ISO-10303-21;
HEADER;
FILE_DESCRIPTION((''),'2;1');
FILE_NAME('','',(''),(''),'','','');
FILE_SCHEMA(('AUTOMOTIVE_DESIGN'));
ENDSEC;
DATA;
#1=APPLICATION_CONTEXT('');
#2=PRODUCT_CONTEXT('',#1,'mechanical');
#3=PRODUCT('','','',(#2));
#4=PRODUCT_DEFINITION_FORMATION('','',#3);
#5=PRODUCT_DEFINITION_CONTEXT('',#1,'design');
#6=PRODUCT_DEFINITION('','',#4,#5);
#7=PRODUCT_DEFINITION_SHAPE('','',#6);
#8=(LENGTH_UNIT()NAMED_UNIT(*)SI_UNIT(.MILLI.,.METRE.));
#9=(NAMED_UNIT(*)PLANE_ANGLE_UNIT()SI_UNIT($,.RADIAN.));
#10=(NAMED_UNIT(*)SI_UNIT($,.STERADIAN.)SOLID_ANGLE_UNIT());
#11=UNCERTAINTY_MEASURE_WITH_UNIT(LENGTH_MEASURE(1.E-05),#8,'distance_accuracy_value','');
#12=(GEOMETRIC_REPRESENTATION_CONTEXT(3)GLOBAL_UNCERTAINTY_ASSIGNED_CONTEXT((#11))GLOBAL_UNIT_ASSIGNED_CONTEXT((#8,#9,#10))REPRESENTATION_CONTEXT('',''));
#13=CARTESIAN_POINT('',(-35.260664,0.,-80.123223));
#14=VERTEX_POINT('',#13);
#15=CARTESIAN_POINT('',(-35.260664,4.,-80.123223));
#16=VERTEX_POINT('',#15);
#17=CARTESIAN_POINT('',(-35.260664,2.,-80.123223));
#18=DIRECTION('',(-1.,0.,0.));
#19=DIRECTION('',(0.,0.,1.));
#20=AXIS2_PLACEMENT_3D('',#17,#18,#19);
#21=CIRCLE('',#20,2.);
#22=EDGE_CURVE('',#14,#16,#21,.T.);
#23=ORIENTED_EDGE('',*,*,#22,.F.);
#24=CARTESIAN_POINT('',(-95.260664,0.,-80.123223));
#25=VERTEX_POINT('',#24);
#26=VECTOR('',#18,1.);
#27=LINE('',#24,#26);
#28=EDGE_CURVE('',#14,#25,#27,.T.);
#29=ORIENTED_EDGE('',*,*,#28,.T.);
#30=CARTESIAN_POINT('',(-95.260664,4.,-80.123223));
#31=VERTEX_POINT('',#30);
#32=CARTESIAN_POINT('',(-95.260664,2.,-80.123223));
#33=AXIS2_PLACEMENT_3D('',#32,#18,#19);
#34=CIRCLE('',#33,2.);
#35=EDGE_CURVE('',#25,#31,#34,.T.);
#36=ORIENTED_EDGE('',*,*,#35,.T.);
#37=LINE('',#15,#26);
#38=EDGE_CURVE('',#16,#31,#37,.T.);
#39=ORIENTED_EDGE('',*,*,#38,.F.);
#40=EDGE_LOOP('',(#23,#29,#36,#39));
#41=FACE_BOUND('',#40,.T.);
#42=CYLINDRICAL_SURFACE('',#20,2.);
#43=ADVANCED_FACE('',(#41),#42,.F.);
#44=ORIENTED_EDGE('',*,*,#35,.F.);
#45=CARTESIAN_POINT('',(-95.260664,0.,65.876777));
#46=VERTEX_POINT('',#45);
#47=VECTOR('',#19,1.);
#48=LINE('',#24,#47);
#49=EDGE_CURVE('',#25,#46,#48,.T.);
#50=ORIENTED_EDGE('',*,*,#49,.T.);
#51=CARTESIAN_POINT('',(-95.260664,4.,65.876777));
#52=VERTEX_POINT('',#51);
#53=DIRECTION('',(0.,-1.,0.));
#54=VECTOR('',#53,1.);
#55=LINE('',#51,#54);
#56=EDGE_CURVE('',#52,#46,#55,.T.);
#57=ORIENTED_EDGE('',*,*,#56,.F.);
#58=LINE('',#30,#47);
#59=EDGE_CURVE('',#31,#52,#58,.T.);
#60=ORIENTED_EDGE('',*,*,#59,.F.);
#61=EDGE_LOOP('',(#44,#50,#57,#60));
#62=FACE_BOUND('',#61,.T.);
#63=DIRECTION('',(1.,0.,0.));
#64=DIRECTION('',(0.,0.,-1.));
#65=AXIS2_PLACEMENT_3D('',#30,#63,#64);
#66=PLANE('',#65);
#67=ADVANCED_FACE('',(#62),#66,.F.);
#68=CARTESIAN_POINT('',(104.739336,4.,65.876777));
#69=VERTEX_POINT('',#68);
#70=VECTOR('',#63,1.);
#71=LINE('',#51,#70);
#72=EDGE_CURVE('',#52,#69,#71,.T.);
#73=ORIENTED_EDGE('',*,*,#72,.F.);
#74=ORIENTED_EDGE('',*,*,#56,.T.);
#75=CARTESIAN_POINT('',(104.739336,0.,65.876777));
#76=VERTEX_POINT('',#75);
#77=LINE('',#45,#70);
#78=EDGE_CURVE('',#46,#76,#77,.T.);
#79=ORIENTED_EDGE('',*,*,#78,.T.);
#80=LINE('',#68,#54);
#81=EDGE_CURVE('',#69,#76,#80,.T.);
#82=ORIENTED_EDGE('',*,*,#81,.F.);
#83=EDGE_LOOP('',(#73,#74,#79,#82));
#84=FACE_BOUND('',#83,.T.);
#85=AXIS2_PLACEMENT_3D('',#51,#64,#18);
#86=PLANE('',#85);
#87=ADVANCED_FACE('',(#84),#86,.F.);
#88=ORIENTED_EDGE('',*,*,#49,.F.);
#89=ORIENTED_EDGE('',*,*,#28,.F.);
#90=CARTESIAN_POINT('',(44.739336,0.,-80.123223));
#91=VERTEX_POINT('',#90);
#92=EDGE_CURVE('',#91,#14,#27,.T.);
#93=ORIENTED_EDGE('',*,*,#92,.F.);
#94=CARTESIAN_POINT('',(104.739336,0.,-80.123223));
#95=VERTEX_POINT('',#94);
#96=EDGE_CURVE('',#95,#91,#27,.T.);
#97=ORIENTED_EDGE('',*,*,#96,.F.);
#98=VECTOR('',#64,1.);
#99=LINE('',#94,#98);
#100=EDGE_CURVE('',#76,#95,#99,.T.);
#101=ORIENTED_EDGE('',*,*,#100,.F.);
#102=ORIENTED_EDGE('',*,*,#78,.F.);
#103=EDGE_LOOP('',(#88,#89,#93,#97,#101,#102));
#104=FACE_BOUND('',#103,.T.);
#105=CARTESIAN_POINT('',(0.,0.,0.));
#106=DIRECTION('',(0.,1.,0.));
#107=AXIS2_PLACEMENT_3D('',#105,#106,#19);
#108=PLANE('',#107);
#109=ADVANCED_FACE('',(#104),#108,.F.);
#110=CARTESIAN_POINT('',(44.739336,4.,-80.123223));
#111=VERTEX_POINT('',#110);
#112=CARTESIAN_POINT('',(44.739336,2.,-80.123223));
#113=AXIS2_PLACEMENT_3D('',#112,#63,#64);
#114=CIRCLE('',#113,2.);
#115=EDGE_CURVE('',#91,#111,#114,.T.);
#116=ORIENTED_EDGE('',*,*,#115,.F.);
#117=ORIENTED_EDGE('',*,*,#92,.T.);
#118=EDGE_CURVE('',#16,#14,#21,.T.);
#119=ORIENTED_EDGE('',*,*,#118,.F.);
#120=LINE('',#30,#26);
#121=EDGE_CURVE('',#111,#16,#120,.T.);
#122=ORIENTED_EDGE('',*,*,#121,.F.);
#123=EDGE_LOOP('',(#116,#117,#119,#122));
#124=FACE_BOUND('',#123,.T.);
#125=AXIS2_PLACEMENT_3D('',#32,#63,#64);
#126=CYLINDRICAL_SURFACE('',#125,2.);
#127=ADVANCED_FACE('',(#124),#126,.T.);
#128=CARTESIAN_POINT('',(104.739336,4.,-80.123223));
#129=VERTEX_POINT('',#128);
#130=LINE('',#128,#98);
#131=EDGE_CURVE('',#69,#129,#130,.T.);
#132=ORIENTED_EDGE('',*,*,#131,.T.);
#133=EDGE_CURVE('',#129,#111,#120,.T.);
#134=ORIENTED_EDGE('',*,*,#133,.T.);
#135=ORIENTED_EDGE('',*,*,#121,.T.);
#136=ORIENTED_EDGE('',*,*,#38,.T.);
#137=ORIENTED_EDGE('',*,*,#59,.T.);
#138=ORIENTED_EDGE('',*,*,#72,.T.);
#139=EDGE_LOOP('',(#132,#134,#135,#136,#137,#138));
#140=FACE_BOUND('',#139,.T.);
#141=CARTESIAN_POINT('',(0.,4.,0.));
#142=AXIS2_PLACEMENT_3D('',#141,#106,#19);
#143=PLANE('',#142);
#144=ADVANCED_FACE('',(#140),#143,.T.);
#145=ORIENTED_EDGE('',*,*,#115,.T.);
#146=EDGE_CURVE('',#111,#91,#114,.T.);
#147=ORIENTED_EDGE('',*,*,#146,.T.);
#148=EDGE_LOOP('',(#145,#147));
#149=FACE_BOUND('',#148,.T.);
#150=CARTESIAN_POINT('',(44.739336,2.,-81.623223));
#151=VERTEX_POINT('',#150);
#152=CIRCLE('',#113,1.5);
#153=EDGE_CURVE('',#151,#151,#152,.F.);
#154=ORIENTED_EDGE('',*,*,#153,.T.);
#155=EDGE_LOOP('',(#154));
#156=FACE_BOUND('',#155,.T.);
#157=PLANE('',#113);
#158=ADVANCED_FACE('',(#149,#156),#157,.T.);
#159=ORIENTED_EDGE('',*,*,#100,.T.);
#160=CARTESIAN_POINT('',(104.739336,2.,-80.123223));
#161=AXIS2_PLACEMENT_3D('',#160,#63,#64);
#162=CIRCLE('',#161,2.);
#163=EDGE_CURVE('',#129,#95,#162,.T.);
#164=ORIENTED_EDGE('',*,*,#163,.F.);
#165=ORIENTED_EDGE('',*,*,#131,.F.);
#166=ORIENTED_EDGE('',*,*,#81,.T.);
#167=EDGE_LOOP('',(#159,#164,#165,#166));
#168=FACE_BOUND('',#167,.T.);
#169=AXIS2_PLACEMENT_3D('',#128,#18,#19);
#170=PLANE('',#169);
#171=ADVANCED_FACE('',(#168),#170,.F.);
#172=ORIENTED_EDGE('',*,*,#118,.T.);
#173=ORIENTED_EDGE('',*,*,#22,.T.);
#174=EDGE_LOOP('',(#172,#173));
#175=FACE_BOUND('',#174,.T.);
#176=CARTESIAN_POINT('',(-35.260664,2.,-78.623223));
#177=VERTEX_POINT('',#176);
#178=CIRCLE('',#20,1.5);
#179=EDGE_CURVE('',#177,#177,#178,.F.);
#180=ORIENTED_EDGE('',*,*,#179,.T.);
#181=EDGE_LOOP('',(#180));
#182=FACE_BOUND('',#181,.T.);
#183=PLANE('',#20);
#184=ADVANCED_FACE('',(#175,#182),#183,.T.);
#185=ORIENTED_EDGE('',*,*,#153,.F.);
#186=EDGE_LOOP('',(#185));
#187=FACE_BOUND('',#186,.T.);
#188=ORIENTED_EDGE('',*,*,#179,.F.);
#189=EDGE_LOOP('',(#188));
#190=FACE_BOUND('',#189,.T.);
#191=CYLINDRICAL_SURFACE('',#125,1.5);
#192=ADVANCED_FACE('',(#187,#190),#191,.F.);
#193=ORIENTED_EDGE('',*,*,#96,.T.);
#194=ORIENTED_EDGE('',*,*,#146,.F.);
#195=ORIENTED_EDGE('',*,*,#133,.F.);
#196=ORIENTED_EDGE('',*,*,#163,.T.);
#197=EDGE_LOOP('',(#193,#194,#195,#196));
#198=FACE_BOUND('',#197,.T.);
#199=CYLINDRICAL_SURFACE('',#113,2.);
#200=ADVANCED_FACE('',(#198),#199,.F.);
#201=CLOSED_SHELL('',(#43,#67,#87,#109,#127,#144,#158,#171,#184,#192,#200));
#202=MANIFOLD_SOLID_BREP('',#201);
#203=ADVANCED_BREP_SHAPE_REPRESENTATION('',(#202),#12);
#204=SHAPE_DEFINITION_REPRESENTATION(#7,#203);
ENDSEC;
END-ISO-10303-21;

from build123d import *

# Parameters (mm, degrees)
SKETCH_1_W          = 200
SKETCH_1_H          = 146
EXTRUDE_1_DEPTH     = 4
SKETCH_3_R          = 2
CUT_EXTRUDE_1_DEPTH = 202
SKETCH_3_2_R        = 2
SKETCH_3_2_R_2      = 1.5
EXTRUDE_1_2_DEPTH   = 200
SKETCH_4_R          = 2
CUT_EXTRUDE_2_DEPTH = 60
CUT_EXTRUDE_START   = -60
SKETCH_5_R          = 2
CUT_EXTRUDE_3_DEPTH = 60


with BuildPart() as part:
    # 草图1 → Extrude 1 (new body)
    with BuildSketch(Plane(origin=(0, 0, 0), x_dir=(1, 0, 0), z_dir=(0, 1, 0))):
        with Locations((4.739336493, 7.123222749)):
            Rectangle(SKETCH_1_W, SKETCH_1_H)
    extrude(amount=EXTRUDE_1_DEPTH)

    # 草图3 → 切除-拉伸1 (cut)
    with BuildSketch(Plane(origin=(104.739336493, 0, 0), x_dir=(0, 0, -1), z_dir=(1, 0, 0))):
        with Locations((80.123222749, 2)):
            Circle(SKETCH_3_R)
    extrude(amount=-CUT_EXTRUDE_1_DEPTH, mode=Mode.SUBTRACT)

    # 草图3<2> → Extrude 1 2 (add)
    with BuildSketch(Plane(origin=(104.739336493, 0, 0), x_dir=(0, 0, -1), z_dir=(1, 0, 0))):
        with Locations((80.123222749, 2)):
            Circle(SKETCH_3_2_R)
        with Locations((80.123222749, 2)):
            Circle(SKETCH_3_2_R_2, mode=Mode.SUBTRACT)
    extrude(amount=-EXTRUDE_1_2_DEPTH)

    # 草图4 → 切除-拉伸2 (cut)
    with BuildSketch(Plane(origin=(104.739336493, 0, 0), x_dir=(0, 0, -1), z_dir=(1, 0, 0))):
        with Locations((80.123222749, 2)):
            Circle(SKETCH_4_R)
    extrude(amount=-CUT_EXTRUDE_2_DEPTH, mode=Mode.SUBTRACT)

    # 草图5 → 切除-拉伸3 (cut)
    with BuildSketch(Plane.ZY.offset(95.260663507).offset(CUT_EXTRUDE_START)):
        with Locations((-80.123222749, 2)):
            Circle(SKETCH_5_R)
    extrude(amount=CUT_EXTRUDE_3_DEPTH, mode=Mode.SUBTRACT)


solid = part.part
